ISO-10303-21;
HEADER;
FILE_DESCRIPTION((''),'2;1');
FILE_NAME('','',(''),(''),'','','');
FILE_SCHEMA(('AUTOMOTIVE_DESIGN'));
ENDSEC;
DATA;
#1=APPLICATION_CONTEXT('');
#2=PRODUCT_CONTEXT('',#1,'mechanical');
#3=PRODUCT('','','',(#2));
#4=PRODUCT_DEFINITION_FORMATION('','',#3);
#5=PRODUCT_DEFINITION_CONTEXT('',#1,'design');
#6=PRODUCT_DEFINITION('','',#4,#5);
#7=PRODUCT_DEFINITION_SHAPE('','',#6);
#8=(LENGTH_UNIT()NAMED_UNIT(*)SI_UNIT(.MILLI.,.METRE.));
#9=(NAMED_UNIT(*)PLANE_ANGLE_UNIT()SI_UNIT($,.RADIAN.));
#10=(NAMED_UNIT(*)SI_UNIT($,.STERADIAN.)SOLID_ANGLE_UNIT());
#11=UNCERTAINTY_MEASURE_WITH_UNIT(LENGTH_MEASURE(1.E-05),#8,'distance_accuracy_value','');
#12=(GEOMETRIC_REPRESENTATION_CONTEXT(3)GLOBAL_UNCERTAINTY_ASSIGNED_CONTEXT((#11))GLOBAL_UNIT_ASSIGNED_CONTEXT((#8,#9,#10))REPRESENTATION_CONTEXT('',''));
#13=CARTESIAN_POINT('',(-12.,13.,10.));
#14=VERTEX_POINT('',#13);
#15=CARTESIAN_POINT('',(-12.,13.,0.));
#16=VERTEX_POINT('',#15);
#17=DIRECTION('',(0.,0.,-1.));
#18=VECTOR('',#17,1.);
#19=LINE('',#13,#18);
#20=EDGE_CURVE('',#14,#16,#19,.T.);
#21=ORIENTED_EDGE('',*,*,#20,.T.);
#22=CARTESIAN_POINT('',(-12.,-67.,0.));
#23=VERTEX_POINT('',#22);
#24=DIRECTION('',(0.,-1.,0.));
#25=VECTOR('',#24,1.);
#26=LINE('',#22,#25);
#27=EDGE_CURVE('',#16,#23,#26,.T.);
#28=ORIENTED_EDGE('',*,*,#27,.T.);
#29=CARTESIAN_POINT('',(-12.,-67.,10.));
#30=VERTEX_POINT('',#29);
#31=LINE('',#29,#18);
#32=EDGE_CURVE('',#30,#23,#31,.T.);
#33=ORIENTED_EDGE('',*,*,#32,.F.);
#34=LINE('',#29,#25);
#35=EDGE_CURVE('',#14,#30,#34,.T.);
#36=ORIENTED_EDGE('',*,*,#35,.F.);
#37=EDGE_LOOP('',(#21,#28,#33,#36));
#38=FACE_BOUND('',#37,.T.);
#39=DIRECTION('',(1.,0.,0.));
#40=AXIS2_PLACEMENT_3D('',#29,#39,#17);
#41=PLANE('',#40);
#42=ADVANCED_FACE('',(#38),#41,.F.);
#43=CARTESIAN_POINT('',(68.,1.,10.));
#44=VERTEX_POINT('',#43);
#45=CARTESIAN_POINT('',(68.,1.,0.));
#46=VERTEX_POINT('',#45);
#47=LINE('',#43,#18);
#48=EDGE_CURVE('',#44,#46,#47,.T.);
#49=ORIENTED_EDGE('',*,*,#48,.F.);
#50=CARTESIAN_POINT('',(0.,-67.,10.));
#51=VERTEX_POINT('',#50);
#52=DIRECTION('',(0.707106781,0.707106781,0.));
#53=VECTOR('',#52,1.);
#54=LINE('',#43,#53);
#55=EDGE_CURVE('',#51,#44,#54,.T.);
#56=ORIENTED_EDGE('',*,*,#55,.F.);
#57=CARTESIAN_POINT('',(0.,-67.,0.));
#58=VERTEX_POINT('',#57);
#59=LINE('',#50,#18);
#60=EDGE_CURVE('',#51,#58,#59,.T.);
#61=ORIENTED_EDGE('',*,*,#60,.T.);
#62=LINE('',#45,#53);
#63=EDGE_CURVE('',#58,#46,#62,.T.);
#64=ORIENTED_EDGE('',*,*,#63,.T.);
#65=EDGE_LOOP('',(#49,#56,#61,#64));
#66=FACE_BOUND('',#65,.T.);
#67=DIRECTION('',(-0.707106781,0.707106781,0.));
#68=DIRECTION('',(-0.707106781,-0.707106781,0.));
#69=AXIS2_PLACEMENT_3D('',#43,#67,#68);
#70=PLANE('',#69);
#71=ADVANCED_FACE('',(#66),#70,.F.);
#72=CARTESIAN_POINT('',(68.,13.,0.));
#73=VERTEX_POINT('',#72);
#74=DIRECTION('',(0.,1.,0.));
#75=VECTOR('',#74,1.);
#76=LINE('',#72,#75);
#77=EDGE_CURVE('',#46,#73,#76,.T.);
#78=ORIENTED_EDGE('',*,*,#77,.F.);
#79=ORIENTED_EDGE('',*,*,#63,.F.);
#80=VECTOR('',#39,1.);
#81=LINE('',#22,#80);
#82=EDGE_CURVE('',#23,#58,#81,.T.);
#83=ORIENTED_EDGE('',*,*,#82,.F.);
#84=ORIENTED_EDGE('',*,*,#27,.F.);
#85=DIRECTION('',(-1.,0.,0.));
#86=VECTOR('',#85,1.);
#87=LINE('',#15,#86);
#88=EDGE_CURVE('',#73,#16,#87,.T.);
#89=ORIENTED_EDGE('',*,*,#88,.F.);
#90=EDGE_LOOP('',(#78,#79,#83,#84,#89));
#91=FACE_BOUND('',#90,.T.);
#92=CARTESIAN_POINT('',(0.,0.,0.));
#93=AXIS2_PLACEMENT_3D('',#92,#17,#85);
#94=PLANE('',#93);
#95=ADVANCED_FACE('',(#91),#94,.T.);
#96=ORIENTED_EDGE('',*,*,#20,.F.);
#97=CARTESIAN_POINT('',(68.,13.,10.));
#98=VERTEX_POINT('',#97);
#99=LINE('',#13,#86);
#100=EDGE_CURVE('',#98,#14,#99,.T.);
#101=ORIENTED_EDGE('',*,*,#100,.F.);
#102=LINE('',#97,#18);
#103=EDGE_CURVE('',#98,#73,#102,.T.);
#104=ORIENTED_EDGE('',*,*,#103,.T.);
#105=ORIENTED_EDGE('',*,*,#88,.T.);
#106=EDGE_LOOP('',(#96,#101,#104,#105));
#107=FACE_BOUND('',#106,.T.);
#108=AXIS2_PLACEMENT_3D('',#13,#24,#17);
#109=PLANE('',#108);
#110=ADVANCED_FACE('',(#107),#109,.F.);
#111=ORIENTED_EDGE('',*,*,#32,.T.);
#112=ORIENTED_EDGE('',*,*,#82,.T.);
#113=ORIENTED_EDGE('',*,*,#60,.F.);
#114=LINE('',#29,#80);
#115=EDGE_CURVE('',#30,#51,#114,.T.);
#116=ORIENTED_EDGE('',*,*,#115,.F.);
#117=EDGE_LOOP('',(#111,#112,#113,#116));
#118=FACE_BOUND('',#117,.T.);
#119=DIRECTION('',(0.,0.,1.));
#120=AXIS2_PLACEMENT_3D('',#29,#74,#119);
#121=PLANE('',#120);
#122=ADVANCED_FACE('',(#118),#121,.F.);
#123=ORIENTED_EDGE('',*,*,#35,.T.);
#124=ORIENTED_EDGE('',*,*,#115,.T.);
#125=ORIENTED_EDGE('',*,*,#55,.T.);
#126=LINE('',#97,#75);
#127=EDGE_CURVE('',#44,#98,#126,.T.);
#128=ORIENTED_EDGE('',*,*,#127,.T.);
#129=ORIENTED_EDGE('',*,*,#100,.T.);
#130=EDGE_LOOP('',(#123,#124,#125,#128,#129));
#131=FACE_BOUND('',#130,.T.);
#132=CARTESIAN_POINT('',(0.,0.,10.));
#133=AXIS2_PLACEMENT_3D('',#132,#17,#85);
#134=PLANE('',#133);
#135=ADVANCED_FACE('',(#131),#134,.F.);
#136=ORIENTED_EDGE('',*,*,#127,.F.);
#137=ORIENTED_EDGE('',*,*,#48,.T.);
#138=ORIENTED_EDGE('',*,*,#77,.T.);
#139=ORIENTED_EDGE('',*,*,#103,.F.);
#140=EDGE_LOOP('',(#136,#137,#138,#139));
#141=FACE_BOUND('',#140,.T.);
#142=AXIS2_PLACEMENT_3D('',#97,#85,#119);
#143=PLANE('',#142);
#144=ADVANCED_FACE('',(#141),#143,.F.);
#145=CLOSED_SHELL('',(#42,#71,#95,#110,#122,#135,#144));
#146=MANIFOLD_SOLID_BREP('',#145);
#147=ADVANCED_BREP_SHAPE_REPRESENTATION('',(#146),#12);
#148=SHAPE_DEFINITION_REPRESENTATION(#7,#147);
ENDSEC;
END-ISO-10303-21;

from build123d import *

# Parameters (mm, degrees)
DODANIE_WYCI_GNI_CIE1_DEPTH = 10


with BuildPart() as part:
    # Szkic1 → Dodanie-wyciągnięcie1 (new body)
    with BuildSketch(Plane.XY):
        Polygon((-12, -67), (-12, 13), (68, 13), (68, 1), (0, -67), align=None)
    extrude(amount=DODANIE_WYCI_GNI_CIE1_DEPTH)


solid = part.part
